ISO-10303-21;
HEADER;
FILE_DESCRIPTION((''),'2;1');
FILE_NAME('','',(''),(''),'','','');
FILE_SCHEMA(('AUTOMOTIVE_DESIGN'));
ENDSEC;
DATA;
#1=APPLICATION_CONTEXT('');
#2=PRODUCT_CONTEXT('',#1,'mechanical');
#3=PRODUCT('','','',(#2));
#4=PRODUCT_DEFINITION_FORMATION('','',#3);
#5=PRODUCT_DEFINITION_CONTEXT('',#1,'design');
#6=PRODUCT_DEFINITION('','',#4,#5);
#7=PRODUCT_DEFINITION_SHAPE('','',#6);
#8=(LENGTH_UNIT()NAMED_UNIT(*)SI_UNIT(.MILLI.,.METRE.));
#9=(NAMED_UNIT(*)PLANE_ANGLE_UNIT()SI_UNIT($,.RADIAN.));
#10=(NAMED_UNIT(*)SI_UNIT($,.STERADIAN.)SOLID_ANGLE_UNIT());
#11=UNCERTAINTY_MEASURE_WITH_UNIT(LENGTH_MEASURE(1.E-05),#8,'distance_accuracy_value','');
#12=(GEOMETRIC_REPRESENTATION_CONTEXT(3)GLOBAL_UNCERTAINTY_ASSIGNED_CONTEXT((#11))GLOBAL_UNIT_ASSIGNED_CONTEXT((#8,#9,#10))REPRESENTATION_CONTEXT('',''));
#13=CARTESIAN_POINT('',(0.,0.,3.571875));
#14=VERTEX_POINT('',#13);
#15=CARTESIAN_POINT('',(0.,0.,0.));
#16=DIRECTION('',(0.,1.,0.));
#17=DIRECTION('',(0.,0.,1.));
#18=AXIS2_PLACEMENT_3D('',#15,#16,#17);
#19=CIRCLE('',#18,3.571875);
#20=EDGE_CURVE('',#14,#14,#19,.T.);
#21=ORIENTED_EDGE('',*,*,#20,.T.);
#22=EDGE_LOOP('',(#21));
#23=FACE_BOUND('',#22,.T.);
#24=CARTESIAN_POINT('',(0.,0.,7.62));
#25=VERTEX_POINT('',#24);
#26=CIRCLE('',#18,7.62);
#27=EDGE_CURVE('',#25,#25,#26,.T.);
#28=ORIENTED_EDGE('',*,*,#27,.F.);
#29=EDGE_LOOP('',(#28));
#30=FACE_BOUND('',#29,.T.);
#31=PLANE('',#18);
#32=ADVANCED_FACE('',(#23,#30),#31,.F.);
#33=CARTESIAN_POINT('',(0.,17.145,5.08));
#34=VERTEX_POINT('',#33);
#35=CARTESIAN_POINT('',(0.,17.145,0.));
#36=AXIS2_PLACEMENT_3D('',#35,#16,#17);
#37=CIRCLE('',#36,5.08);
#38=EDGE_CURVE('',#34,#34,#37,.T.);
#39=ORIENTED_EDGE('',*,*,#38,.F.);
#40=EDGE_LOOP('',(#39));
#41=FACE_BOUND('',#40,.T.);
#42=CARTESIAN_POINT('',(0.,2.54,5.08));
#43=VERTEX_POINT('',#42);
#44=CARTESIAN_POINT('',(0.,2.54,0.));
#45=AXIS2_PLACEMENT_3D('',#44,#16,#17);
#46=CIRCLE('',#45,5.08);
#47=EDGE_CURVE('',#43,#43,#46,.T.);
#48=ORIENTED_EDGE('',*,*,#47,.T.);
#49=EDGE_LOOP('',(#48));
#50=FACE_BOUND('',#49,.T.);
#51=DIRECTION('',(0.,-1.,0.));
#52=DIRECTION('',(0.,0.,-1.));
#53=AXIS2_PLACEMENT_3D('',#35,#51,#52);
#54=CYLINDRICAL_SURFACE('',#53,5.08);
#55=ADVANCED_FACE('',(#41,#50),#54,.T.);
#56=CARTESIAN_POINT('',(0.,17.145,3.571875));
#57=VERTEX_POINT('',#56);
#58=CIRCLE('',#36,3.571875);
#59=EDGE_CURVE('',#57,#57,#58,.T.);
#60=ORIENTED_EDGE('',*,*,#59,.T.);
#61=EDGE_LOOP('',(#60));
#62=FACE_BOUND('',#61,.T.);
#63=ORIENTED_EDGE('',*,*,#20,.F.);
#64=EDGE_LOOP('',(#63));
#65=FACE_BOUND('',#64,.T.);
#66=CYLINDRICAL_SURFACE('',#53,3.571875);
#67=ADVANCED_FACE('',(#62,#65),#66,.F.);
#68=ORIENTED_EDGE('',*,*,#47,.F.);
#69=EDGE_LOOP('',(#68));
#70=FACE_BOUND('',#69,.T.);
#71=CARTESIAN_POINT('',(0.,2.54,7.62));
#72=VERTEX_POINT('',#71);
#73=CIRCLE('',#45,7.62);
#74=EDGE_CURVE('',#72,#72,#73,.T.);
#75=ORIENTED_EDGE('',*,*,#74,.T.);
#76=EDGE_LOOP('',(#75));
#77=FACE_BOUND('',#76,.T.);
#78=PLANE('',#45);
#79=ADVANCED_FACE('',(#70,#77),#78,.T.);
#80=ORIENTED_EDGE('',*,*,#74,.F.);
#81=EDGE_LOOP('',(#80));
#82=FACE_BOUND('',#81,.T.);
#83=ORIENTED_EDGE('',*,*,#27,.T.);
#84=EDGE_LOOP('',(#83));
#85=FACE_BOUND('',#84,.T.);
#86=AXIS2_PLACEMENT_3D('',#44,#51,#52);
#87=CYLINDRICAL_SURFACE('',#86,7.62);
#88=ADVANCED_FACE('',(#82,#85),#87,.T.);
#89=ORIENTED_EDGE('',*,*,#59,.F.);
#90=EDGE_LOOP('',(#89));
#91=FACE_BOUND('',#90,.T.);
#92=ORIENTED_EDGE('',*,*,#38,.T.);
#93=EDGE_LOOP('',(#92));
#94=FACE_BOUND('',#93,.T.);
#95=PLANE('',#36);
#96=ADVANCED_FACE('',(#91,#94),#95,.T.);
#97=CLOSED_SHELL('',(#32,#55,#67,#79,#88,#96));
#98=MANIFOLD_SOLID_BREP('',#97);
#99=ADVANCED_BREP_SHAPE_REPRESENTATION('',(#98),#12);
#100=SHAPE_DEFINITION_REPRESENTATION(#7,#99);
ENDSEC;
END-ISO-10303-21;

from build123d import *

# Parameters (mm, degrees)
SKETCH1_R           = 5.08
SKETCH1_R_2         = 3.571875
BOSS_EXTRUDE1_DEPTH = 17.145
SKETCH1_3_R         = 7.62
SKETCH1_3_R_2       = 5.08
BOSS_EXTRUDE2_DEPTH = 2.54


with BuildPart() as part:
    # Sketch1 → Boss-Extrude1 (new body)
    with BuildSketch(Plane(origin=(0, 0, 0), x_dir=(1, 0, 0), z_dir=(0, 1, 0))):
        Circle(SKETCH1_R)
        Circle(SKETCH1_R_2, mode=Mode.SUBTRACT)
    extrude(amount=BOSS_EXTRUDE1_DEPTH)

    # Sketch1<3> → Boss-Extrude2 (add)
    with BuildSketch(Plane(origin=(0, 0, 0), x_dir=(1, 0, 0), z_dir=(0, 1, 0))):
        Circle(SKETCH1_3_R)
        Circle(SKETCH1_3_R_2, mode=Mode.SUBTRACT)
    extrude(amount=BOSS_EXTRUDE2_DEPTH)


solid = part.part
